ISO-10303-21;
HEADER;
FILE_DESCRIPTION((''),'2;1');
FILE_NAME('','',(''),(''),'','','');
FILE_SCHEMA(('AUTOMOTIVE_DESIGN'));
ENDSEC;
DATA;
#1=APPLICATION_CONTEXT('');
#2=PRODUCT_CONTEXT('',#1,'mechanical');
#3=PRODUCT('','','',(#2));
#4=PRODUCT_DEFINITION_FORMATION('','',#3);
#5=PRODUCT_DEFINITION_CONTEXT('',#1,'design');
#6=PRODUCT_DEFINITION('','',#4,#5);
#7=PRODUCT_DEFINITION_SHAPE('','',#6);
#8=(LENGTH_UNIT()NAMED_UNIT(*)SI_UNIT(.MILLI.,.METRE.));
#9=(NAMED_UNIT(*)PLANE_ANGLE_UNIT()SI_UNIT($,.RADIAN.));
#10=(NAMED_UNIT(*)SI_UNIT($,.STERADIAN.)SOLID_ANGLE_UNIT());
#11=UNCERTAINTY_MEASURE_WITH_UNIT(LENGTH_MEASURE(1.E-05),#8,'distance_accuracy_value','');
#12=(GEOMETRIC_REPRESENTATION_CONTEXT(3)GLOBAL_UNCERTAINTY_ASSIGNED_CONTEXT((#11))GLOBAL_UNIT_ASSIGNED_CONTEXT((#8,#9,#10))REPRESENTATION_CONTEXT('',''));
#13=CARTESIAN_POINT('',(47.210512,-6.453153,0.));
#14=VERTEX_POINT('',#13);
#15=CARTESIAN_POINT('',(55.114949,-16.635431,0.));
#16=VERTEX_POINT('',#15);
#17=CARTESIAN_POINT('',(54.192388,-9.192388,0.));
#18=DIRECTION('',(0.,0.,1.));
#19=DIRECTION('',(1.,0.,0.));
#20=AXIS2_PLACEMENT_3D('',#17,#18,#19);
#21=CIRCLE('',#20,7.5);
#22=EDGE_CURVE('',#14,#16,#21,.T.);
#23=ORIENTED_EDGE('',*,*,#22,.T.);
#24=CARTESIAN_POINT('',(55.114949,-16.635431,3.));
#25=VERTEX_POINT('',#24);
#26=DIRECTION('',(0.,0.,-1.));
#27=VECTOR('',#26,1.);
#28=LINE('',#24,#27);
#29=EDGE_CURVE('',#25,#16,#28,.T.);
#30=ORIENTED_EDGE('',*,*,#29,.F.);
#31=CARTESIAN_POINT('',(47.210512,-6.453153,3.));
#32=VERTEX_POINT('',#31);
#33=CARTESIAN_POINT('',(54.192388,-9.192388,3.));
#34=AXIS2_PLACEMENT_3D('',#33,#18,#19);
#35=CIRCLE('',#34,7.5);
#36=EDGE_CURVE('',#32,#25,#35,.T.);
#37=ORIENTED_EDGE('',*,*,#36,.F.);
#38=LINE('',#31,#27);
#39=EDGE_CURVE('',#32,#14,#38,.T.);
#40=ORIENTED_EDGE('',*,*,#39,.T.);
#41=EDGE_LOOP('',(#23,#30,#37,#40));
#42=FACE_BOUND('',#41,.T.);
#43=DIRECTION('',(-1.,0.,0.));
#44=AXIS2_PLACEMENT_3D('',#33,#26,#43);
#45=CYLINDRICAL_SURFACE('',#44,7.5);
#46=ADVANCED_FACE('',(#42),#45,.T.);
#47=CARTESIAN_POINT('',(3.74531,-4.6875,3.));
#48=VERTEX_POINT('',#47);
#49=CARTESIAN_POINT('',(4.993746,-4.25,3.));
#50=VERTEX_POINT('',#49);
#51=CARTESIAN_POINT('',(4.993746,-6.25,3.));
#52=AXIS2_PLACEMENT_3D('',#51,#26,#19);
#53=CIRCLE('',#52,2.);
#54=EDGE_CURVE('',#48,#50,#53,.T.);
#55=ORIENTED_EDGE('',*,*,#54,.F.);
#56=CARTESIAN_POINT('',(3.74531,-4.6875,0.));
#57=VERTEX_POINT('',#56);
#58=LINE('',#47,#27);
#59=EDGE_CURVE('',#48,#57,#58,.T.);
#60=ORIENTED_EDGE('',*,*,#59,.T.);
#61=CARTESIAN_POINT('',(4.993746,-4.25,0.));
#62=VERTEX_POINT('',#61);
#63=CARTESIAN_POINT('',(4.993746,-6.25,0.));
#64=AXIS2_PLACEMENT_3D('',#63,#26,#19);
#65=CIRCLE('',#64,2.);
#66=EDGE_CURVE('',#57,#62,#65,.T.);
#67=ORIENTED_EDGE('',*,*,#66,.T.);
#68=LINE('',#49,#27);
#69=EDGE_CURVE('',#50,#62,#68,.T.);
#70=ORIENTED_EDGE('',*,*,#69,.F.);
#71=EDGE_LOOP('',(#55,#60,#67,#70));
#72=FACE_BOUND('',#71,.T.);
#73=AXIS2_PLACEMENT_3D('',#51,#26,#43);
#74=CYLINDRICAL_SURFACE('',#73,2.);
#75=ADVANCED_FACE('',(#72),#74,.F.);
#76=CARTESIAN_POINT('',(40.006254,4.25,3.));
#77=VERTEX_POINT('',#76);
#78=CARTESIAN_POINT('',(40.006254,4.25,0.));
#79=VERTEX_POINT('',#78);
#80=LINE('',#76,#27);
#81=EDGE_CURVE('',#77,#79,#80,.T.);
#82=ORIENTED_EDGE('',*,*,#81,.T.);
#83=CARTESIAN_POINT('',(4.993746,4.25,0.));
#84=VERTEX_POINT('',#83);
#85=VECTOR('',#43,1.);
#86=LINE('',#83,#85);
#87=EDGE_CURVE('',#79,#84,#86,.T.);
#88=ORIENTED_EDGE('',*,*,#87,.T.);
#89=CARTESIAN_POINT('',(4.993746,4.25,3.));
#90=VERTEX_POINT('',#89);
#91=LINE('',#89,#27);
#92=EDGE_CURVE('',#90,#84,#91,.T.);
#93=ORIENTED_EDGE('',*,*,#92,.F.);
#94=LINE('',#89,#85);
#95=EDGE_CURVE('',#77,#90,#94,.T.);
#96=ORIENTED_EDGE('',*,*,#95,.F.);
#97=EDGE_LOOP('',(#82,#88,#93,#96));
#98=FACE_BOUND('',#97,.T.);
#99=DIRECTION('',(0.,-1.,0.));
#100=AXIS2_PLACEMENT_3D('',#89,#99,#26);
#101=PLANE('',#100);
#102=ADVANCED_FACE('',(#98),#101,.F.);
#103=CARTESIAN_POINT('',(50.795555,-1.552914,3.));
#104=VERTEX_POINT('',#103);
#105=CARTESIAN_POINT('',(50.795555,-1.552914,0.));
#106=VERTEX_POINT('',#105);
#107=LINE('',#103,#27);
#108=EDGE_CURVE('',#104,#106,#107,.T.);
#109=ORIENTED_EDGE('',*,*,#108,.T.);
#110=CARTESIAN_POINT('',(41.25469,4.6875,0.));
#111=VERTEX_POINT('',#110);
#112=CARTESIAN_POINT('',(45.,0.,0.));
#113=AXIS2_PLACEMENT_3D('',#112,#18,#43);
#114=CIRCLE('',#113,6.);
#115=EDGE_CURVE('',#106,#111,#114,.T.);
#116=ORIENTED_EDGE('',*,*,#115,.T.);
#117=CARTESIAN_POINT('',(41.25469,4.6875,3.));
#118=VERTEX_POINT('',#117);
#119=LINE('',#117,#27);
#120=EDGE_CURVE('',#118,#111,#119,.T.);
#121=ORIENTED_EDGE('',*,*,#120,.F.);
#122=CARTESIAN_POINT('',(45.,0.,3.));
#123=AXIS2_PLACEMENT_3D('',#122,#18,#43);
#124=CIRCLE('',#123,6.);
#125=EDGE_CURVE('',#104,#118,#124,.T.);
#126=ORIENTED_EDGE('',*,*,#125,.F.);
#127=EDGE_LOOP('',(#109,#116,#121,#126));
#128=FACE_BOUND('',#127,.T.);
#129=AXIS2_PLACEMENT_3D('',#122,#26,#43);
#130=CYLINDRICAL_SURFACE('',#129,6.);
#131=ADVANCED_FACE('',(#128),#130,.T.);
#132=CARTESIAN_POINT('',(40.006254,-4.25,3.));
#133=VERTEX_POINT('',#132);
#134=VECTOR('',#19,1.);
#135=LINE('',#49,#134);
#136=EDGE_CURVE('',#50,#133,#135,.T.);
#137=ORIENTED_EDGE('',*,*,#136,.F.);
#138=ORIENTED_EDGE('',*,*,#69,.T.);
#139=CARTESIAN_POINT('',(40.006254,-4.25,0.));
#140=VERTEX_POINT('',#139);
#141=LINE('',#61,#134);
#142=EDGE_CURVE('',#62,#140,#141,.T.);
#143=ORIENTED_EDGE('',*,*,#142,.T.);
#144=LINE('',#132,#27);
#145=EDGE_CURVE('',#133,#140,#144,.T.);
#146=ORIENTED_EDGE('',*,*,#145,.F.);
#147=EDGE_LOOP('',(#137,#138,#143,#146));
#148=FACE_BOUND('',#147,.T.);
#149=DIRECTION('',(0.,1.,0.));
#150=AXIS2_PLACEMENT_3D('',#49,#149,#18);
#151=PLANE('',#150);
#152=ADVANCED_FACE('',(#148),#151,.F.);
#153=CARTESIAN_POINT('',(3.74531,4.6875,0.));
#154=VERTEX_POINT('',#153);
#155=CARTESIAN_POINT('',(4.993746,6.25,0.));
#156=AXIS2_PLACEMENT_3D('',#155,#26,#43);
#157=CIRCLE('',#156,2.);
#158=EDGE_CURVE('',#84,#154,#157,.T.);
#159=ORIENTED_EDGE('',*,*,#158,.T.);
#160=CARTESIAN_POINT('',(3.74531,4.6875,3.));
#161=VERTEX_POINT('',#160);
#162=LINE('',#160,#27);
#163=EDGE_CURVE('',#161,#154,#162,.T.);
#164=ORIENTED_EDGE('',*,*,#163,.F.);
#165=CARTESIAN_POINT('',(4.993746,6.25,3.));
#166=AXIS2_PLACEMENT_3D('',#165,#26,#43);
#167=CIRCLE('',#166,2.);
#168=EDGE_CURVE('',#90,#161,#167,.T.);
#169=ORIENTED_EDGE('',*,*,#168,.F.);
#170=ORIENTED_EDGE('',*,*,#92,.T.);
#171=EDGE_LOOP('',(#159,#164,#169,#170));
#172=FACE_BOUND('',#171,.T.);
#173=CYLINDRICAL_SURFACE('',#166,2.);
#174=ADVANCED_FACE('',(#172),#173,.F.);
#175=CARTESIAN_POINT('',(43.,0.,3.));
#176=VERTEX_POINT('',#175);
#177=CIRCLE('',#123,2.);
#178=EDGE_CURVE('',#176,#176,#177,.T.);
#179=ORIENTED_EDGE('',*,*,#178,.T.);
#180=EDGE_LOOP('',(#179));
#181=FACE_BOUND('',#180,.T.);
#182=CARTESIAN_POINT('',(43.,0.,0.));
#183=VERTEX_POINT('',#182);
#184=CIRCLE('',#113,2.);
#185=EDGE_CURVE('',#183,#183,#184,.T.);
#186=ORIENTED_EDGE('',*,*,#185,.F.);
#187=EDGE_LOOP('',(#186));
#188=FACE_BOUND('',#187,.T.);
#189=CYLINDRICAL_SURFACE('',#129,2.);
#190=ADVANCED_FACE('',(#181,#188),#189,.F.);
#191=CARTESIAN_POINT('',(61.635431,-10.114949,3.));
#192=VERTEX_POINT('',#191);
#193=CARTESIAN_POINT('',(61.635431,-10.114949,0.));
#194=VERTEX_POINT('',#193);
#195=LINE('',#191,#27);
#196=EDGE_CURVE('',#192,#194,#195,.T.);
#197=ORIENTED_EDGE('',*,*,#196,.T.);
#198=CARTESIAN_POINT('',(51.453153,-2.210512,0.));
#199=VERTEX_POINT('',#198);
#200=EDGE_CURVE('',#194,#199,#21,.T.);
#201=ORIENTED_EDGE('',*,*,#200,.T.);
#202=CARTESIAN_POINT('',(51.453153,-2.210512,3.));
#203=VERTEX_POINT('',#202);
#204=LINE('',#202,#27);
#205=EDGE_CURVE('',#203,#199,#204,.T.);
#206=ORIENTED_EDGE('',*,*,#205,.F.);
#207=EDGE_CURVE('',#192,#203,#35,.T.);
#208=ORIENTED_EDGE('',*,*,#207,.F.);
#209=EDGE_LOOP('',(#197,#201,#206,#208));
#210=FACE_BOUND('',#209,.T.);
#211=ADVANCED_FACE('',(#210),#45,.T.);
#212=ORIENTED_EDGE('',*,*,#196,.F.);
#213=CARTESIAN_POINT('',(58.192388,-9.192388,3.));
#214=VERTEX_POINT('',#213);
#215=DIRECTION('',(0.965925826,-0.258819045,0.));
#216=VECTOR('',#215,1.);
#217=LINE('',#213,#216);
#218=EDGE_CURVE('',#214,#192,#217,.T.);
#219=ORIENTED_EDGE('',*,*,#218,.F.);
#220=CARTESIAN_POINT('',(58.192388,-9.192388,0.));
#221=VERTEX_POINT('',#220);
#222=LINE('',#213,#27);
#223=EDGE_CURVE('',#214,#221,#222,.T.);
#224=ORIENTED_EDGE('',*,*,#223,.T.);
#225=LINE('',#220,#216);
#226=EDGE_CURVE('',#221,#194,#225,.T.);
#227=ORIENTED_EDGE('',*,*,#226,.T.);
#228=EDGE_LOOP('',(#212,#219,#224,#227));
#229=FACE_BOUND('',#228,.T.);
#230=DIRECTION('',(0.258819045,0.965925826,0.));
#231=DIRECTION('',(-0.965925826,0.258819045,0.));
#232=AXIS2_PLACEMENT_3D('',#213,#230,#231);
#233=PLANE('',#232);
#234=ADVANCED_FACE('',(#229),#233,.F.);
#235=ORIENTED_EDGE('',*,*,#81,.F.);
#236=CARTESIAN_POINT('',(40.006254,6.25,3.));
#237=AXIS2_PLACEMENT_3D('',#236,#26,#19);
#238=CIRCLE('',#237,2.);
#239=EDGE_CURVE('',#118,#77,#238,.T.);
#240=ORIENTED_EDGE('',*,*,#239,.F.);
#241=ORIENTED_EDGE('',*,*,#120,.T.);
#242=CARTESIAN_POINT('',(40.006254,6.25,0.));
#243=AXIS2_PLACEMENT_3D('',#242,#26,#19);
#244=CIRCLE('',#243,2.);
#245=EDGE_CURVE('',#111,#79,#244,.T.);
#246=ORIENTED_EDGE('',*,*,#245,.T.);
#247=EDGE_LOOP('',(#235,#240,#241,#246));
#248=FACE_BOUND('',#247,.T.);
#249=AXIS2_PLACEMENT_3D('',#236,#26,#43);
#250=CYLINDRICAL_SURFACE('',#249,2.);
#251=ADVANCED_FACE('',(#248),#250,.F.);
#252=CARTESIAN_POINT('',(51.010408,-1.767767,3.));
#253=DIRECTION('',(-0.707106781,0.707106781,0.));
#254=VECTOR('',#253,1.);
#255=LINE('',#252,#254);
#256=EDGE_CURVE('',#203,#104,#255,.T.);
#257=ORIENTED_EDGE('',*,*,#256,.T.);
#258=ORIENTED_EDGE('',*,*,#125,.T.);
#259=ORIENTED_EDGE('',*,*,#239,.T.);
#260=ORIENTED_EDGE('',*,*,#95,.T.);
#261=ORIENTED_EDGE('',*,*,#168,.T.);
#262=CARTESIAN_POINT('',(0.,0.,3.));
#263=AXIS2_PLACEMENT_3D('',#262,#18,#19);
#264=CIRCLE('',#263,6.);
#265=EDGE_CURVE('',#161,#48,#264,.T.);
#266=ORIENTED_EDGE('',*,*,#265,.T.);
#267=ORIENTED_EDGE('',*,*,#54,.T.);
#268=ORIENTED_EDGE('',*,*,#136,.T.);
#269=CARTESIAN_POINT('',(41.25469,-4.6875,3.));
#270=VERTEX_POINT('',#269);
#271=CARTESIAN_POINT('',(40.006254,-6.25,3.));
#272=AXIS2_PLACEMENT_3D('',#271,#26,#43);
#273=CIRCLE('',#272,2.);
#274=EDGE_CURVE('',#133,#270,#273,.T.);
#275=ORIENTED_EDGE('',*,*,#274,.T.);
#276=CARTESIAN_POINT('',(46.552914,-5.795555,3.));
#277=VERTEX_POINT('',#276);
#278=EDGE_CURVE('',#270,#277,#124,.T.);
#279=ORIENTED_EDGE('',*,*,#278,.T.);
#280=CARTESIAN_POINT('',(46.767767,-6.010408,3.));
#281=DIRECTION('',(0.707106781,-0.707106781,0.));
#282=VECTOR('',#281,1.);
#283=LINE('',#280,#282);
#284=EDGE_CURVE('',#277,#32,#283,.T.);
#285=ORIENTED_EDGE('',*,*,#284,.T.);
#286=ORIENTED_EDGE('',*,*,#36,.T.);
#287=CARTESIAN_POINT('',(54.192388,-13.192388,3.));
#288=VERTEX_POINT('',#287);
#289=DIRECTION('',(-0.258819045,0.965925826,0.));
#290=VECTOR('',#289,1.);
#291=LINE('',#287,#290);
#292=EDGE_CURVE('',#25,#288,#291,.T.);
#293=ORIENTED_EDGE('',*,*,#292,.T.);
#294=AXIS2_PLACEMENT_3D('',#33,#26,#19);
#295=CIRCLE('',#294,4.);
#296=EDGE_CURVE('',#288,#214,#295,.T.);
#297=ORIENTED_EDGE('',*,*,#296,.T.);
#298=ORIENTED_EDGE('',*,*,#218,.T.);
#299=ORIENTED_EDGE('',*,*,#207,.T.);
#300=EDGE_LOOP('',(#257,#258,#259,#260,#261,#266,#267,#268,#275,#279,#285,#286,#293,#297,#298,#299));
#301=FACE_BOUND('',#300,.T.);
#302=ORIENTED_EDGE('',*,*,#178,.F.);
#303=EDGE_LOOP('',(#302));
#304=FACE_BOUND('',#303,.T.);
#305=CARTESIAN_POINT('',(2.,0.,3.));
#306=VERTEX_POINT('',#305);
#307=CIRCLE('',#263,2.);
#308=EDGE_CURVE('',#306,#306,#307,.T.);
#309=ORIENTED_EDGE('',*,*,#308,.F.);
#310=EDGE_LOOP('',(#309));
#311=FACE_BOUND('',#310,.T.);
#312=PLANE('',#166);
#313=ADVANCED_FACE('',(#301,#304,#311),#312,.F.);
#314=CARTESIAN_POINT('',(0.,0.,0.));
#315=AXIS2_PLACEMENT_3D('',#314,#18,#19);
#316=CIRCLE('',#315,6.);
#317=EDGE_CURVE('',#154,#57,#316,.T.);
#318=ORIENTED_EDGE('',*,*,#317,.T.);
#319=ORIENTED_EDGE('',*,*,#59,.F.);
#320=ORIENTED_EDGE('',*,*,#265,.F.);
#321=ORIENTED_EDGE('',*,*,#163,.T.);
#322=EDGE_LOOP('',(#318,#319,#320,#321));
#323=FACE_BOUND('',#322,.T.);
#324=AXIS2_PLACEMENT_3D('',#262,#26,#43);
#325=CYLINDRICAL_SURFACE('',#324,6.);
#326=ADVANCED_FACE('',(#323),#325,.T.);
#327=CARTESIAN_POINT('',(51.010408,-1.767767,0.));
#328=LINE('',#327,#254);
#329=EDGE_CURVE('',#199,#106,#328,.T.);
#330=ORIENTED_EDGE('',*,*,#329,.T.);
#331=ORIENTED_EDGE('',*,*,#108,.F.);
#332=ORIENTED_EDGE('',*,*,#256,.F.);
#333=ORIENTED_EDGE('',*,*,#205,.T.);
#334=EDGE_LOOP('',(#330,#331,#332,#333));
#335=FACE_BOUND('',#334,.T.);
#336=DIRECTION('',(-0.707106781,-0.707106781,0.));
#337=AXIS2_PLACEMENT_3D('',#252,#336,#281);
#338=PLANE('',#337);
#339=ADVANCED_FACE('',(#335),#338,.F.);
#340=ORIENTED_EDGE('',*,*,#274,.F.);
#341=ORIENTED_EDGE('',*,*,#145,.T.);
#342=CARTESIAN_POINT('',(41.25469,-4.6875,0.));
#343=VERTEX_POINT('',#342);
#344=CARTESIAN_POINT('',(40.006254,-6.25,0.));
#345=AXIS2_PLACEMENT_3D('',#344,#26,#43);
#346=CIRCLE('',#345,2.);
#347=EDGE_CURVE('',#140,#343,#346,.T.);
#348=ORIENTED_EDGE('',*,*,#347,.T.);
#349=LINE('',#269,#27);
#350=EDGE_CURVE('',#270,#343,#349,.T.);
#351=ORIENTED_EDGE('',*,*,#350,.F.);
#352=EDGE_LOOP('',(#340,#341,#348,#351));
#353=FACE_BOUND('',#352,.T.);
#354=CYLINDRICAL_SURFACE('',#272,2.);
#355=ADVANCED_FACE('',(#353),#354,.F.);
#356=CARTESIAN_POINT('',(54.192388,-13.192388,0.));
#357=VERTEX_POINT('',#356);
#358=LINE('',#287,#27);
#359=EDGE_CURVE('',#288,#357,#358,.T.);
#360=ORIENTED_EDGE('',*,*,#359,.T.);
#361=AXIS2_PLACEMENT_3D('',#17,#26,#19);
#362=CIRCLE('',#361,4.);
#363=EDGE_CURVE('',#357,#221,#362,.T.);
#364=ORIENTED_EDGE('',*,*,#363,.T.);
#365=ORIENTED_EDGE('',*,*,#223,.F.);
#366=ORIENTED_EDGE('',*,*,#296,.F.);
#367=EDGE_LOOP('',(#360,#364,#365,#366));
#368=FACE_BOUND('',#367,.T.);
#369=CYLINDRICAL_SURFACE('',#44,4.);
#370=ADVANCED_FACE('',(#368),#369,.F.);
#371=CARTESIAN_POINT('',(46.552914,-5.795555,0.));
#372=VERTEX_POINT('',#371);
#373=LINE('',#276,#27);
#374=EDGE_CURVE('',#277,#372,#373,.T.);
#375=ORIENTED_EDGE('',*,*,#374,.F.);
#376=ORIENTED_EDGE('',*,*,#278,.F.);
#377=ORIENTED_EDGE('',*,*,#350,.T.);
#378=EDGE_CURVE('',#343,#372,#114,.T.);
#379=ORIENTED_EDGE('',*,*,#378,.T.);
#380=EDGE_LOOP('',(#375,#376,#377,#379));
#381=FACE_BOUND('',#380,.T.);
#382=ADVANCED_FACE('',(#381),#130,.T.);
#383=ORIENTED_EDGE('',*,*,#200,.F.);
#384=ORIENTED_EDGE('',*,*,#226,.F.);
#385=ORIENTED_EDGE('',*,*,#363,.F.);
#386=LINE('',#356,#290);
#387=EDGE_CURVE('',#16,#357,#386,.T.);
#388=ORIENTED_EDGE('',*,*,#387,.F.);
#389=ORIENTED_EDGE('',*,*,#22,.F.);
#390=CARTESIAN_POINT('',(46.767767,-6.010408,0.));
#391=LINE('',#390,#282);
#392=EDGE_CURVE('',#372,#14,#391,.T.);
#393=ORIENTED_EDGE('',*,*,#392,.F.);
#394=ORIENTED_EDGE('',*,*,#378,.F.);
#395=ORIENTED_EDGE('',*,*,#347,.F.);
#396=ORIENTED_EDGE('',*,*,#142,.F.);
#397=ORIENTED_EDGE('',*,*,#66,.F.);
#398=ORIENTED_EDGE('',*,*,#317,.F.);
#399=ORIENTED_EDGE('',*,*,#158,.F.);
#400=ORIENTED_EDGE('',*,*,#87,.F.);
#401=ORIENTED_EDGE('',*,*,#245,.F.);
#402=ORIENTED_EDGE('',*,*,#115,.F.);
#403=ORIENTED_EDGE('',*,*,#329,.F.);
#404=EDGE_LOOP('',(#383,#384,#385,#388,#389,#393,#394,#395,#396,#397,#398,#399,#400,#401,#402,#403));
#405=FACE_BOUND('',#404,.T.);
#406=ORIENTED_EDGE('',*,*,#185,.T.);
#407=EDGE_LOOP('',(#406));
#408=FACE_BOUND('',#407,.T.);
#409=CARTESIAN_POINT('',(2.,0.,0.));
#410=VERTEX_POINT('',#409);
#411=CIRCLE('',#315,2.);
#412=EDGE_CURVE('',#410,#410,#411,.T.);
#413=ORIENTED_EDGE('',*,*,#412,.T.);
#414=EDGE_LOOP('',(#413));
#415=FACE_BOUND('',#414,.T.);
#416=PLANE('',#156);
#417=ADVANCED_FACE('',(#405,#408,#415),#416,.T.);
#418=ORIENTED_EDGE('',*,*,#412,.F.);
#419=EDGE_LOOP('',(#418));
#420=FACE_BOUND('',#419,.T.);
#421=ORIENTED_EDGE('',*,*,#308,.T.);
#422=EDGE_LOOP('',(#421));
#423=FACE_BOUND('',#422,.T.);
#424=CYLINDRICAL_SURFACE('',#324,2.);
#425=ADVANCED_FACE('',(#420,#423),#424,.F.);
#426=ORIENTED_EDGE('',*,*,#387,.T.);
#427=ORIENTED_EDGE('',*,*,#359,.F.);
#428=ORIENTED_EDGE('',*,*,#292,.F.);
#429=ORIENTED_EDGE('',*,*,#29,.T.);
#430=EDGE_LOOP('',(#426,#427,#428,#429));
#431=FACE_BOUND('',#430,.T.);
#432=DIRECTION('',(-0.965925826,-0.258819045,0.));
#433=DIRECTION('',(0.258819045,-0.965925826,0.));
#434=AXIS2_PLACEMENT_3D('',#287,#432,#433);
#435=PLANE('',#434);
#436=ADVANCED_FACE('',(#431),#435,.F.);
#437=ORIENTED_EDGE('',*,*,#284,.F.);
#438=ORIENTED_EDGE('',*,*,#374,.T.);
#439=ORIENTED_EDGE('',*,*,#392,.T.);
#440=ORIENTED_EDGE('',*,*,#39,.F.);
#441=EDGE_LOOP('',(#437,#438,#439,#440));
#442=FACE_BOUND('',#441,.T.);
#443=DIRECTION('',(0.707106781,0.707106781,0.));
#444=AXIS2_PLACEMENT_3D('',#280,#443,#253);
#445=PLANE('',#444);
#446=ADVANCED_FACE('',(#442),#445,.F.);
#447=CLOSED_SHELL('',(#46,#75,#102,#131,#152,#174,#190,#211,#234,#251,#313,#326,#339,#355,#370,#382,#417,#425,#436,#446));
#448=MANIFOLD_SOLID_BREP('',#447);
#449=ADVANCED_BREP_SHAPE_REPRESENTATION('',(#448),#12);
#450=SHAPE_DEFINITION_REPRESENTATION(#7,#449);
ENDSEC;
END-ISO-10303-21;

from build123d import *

# Parameters (mm, degrees)
SKETCH_1_R      = 2
EXTRUDE_1_DEPTH = 3


with BuildPart() as part:
    # 草图1 → 凸台-拉伸1 (new body)
    with BuildSketch(Plane.XY):
        with BuildLine():
            Line((4.993746089, 4.25), (40.006253911, 4.25))
            ThreePointArc((40.006253911, 4.25), (40.667691739, 4.362541391), (41.254690433, 4.6875))
            ThreePointArc((41.254690433, 4.6875), (48.284291264, 5.02129773), (50.795554958, -1.552914271))
            Line((50.795554958, -1.552914271), (51.01040764, -1.767766953))
            Line((51.01040764, -1.767766953), (51.453152975, -2.210512288))
            ThreePointArc((51.453152975, -2.210512288), (58.791461904, -3.267987709), (61.635430691, -10.114948622))
            Line((61.635430691, -10.114948622), (58.192388155, -9.192388155))
            ThreePointArc((58.192388155, -9.192388155), (51.363961031, -6.363961031), (54.192388155, -13.192388155))
            Line((54.192388155, -13.192388155), (55.114948622, -16.635430691))
            ThreePointArc((55.114948622, -16.635430691), (48.267987709, -13.791461904), (47.210512288, -6.453152975))
            Line((47.210512288, -6.453152975), (46.767766953, -6.01040764))
            Line((46.767766953, -6.01040764), (46.552914271, -5.795554958))
            ThreePointArc((46.552914271, -5.795554958), (43.771750949, -5.872938299), (41.254690433, -4.6875))
            ThreePointArc((41.254690433, -4.6875), (40.667691739, -4.362541391), (40.006253911, -4.25))
            Line((40.006253911, -4.25), (4.993746089, -4.25))
            ThreePointArc((4.993746089, -4.25), (4.332308261, -4.362541391), (3.745309567, -4.6875))
            ThreePointArc((3.745309567, -4.6875), (-6, 0), (3.745309567, 4.6875))
            ThreePointArc((3.745309567, 4.6875), (4.332308261, 4.362541391), (4.993746089, 4.25))
        make_face()
        Circle(SKETCH_1_R, mode=Mode.SUBTRACT)
        with Locations(Location((45, 0, 0), (0, 0, 180))):
            Circle(SKETCH_1_R, mode=Mode.SUBTRACT)
    extrude(amount=EXTRUDE_1_DEPTH)


solid = part.part
